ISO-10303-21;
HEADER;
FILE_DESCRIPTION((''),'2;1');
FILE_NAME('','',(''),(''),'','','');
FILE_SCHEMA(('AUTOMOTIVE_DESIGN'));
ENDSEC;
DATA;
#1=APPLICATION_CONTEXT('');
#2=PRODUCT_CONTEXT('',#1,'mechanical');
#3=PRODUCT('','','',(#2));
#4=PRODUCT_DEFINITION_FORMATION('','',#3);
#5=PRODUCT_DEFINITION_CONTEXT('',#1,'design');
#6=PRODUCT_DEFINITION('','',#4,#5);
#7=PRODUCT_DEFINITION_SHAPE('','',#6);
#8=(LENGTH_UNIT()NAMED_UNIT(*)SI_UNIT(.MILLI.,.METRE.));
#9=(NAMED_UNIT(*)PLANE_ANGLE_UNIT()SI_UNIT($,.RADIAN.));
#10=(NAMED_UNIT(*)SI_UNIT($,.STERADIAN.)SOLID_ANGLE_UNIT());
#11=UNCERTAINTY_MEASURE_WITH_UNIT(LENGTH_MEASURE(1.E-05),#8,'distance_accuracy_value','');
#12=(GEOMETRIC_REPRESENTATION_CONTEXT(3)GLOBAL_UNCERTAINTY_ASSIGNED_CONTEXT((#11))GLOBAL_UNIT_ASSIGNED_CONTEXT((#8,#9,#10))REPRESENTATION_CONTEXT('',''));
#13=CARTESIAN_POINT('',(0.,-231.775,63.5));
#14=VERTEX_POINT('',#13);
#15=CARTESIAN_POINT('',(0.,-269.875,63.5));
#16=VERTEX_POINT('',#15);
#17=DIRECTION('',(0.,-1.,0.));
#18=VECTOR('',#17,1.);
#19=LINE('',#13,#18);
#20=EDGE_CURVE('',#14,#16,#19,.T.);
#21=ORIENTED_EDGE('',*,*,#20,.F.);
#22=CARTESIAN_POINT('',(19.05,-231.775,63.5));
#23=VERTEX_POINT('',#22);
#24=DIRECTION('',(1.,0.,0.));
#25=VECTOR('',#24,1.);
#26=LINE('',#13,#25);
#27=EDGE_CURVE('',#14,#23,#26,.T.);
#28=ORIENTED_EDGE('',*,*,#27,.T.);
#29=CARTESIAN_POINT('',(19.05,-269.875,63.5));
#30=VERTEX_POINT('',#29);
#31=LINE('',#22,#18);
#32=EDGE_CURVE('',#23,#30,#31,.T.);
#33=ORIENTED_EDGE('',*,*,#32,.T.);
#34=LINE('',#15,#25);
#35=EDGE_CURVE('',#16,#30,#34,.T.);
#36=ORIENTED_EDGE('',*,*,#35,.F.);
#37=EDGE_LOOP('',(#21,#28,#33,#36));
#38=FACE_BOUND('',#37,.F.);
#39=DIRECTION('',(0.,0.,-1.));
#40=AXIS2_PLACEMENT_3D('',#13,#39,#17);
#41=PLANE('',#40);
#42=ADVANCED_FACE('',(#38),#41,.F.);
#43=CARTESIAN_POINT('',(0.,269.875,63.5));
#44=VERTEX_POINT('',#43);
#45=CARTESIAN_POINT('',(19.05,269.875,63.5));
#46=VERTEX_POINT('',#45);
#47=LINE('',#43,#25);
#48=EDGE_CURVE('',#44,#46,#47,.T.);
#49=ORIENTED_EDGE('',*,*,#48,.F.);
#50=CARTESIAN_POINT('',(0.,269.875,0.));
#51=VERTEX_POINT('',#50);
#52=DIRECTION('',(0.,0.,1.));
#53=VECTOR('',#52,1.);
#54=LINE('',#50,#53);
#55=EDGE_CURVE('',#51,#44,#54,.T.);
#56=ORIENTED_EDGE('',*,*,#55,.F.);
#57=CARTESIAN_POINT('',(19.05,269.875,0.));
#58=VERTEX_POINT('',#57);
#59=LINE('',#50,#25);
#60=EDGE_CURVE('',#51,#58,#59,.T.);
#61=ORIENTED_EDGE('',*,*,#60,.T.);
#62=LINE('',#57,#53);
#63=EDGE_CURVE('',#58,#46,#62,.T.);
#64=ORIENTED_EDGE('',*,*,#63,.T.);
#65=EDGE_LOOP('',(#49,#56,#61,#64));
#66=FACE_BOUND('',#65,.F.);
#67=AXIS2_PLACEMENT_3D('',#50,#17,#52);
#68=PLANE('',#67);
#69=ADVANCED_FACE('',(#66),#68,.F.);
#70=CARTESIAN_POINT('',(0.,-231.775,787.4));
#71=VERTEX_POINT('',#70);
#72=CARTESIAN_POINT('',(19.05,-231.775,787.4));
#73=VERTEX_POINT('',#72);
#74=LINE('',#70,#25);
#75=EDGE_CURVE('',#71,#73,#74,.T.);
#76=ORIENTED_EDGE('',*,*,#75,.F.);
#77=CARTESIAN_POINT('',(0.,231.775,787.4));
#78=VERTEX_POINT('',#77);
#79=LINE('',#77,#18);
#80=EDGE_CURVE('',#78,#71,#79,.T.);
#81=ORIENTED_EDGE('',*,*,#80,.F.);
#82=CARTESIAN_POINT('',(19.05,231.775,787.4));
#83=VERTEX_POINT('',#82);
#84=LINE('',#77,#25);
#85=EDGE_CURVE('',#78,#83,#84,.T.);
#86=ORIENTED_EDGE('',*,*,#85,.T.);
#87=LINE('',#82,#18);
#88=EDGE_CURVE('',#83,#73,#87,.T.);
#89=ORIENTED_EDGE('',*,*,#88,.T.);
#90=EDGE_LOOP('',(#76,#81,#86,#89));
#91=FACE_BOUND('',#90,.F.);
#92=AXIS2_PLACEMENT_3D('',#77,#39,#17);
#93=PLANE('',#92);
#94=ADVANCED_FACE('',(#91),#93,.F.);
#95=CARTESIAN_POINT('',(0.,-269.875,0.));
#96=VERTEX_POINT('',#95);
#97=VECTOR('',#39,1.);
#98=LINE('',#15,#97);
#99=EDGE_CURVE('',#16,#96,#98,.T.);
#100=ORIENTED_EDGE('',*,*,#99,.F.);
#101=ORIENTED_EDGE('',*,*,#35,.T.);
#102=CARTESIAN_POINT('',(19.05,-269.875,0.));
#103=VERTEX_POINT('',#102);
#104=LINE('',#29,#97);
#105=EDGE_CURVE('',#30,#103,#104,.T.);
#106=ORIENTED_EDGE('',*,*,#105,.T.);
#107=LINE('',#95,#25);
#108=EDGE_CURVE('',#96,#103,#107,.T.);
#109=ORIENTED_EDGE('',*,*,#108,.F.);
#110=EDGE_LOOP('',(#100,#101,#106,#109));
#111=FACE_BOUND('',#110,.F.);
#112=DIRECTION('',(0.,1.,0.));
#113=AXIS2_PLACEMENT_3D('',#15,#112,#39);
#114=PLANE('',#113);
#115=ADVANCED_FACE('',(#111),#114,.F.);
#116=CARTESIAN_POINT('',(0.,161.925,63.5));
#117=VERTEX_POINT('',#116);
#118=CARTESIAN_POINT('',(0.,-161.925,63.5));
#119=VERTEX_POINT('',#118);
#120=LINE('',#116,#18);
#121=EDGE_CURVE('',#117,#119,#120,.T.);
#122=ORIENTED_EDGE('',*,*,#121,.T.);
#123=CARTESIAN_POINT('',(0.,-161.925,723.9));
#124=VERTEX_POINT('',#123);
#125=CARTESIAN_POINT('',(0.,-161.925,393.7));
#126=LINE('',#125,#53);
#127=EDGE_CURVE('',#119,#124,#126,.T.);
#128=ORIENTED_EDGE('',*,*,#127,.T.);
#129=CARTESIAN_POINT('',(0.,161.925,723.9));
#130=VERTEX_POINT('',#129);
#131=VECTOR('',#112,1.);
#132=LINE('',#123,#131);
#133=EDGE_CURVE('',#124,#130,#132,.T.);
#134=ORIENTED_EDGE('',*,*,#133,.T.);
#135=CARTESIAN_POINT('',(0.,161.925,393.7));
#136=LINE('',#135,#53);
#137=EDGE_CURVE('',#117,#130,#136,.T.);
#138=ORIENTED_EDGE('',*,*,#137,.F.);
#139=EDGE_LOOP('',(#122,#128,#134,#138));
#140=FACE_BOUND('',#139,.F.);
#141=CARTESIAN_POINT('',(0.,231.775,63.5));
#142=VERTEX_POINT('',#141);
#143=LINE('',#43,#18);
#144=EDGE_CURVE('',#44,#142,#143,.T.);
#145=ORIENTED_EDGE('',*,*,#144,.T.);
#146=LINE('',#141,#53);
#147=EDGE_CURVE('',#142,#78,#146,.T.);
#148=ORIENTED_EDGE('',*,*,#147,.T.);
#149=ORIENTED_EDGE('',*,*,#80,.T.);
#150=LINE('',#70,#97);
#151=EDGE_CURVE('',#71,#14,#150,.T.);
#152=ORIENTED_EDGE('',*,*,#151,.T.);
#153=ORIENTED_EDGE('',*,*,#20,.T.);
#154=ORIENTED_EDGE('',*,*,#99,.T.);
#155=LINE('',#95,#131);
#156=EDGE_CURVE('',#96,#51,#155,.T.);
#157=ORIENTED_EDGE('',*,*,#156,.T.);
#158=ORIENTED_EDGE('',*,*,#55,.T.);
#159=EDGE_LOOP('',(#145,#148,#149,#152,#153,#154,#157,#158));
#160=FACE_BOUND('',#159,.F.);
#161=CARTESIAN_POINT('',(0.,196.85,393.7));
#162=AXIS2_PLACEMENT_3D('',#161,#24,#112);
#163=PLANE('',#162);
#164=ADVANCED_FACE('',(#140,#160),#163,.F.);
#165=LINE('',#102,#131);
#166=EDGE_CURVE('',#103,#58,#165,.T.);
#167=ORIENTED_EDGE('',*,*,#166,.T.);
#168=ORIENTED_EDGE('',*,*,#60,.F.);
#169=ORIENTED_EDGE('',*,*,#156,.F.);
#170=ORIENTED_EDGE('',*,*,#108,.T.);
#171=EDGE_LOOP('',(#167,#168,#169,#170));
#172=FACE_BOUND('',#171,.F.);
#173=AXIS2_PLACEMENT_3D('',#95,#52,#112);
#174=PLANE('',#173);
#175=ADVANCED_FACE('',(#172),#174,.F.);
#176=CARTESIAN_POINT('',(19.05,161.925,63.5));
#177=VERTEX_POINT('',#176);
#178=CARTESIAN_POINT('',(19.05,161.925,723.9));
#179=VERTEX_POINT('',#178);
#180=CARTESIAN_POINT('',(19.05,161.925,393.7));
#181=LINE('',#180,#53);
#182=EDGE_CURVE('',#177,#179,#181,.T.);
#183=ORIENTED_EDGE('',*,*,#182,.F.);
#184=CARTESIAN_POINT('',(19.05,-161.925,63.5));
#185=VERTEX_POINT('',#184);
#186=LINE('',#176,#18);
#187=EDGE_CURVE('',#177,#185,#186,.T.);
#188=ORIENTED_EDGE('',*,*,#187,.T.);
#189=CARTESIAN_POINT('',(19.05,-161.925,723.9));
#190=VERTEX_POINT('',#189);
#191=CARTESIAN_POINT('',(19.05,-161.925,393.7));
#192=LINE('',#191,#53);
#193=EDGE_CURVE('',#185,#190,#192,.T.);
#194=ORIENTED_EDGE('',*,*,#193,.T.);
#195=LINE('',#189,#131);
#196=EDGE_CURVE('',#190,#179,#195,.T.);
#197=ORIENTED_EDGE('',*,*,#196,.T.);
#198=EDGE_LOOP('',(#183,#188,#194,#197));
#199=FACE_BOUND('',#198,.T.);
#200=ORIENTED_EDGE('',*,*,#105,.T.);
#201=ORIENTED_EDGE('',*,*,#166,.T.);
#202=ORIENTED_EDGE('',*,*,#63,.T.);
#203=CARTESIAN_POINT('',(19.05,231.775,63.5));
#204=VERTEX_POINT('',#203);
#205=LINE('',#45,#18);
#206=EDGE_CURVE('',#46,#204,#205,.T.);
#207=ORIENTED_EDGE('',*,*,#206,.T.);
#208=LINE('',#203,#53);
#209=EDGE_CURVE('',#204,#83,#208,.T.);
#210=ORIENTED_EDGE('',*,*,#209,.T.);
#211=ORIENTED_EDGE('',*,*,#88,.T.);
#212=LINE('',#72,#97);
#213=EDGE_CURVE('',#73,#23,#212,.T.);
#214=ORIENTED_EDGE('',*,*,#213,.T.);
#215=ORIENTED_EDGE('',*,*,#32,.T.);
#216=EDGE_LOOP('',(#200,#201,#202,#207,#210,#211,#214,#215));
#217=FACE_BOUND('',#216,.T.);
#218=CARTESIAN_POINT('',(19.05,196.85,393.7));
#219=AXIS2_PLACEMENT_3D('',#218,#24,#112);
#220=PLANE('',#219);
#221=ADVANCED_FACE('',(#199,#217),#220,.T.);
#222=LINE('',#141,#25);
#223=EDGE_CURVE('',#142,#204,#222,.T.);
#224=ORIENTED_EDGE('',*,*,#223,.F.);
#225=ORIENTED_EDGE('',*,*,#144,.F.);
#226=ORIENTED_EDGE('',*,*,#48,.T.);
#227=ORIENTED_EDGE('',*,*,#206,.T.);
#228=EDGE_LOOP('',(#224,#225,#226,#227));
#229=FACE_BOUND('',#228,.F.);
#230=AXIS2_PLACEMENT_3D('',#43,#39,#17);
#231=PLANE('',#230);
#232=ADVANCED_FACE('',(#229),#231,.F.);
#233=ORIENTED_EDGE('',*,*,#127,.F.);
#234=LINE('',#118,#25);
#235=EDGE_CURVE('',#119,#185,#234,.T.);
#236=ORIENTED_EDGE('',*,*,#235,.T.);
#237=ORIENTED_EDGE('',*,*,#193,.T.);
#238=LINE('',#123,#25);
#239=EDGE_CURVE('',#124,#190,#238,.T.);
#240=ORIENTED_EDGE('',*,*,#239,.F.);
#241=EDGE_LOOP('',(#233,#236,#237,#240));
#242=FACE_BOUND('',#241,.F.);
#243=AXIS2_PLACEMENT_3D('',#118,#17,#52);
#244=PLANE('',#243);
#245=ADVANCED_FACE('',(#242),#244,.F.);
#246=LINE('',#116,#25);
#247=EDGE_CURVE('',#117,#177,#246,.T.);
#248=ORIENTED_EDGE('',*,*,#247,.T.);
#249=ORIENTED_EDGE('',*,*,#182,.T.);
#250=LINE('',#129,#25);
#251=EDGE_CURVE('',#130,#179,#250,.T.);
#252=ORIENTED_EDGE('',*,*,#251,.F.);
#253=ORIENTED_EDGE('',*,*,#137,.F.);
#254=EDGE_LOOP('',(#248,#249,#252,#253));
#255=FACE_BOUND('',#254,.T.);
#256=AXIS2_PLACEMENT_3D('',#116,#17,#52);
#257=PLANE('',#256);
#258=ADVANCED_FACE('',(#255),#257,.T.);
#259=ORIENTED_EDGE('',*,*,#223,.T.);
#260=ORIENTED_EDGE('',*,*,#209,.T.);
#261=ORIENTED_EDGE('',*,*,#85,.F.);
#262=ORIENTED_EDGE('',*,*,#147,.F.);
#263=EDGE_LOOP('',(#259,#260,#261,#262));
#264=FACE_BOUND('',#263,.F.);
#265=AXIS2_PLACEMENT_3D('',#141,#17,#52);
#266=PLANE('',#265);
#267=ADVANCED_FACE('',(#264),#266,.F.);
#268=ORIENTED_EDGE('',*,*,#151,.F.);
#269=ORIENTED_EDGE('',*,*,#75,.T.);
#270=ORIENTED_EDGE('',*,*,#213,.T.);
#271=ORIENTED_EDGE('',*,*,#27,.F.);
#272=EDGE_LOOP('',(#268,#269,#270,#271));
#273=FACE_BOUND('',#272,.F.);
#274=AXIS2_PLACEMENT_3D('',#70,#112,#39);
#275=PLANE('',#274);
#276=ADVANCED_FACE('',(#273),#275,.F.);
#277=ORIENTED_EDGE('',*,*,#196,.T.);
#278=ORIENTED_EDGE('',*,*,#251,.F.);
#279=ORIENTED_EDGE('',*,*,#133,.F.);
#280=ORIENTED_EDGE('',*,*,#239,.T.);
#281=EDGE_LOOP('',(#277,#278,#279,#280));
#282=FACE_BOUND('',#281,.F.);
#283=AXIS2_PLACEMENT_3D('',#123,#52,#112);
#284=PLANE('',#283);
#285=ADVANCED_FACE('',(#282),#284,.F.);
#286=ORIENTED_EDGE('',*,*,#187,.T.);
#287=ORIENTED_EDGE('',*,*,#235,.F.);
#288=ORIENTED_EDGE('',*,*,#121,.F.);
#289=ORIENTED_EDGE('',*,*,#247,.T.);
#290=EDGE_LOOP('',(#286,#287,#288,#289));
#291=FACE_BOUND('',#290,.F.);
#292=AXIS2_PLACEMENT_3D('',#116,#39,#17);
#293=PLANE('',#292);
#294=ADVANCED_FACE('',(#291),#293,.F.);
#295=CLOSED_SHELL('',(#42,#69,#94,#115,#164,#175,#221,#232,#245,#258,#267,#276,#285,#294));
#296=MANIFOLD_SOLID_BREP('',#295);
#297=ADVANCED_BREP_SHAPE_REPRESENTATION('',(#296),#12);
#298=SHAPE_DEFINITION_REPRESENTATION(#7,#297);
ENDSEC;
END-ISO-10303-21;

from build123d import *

# Parameters (mm, degrees)
F3_W     = 69.85
F3_H     = 660.4
F4_DEPTH = 19.05


with BuildPart() as f4:
    # F3 (on Right) → F4 (new body)
    with BuildSketch(Plane.YZ):
        with Locations((196.85, 393.7)):
            Rectangle(F3_W, F3_H)
        with Locations((-196.85, 393.7)):
            Rectangle(F3_W, F3_H)
        Polygon((161.925, 723.9), (231.775, 723.9), (231.775, 787.4), (-231.775, 787.4), (-231.775, 723.9), (-161.925, 723.9), align=None)
        Polygon((-269.875, 0), (269.875, 0), (269.875, 63.5), (231.775, 63.5), (161.925, 63.5), (-161.925, 63.5), (-231.775, 63.5), (-269.875, 63.5), align=None)
    extrude(amount=F4_DEPTH)


solid = f4.part
